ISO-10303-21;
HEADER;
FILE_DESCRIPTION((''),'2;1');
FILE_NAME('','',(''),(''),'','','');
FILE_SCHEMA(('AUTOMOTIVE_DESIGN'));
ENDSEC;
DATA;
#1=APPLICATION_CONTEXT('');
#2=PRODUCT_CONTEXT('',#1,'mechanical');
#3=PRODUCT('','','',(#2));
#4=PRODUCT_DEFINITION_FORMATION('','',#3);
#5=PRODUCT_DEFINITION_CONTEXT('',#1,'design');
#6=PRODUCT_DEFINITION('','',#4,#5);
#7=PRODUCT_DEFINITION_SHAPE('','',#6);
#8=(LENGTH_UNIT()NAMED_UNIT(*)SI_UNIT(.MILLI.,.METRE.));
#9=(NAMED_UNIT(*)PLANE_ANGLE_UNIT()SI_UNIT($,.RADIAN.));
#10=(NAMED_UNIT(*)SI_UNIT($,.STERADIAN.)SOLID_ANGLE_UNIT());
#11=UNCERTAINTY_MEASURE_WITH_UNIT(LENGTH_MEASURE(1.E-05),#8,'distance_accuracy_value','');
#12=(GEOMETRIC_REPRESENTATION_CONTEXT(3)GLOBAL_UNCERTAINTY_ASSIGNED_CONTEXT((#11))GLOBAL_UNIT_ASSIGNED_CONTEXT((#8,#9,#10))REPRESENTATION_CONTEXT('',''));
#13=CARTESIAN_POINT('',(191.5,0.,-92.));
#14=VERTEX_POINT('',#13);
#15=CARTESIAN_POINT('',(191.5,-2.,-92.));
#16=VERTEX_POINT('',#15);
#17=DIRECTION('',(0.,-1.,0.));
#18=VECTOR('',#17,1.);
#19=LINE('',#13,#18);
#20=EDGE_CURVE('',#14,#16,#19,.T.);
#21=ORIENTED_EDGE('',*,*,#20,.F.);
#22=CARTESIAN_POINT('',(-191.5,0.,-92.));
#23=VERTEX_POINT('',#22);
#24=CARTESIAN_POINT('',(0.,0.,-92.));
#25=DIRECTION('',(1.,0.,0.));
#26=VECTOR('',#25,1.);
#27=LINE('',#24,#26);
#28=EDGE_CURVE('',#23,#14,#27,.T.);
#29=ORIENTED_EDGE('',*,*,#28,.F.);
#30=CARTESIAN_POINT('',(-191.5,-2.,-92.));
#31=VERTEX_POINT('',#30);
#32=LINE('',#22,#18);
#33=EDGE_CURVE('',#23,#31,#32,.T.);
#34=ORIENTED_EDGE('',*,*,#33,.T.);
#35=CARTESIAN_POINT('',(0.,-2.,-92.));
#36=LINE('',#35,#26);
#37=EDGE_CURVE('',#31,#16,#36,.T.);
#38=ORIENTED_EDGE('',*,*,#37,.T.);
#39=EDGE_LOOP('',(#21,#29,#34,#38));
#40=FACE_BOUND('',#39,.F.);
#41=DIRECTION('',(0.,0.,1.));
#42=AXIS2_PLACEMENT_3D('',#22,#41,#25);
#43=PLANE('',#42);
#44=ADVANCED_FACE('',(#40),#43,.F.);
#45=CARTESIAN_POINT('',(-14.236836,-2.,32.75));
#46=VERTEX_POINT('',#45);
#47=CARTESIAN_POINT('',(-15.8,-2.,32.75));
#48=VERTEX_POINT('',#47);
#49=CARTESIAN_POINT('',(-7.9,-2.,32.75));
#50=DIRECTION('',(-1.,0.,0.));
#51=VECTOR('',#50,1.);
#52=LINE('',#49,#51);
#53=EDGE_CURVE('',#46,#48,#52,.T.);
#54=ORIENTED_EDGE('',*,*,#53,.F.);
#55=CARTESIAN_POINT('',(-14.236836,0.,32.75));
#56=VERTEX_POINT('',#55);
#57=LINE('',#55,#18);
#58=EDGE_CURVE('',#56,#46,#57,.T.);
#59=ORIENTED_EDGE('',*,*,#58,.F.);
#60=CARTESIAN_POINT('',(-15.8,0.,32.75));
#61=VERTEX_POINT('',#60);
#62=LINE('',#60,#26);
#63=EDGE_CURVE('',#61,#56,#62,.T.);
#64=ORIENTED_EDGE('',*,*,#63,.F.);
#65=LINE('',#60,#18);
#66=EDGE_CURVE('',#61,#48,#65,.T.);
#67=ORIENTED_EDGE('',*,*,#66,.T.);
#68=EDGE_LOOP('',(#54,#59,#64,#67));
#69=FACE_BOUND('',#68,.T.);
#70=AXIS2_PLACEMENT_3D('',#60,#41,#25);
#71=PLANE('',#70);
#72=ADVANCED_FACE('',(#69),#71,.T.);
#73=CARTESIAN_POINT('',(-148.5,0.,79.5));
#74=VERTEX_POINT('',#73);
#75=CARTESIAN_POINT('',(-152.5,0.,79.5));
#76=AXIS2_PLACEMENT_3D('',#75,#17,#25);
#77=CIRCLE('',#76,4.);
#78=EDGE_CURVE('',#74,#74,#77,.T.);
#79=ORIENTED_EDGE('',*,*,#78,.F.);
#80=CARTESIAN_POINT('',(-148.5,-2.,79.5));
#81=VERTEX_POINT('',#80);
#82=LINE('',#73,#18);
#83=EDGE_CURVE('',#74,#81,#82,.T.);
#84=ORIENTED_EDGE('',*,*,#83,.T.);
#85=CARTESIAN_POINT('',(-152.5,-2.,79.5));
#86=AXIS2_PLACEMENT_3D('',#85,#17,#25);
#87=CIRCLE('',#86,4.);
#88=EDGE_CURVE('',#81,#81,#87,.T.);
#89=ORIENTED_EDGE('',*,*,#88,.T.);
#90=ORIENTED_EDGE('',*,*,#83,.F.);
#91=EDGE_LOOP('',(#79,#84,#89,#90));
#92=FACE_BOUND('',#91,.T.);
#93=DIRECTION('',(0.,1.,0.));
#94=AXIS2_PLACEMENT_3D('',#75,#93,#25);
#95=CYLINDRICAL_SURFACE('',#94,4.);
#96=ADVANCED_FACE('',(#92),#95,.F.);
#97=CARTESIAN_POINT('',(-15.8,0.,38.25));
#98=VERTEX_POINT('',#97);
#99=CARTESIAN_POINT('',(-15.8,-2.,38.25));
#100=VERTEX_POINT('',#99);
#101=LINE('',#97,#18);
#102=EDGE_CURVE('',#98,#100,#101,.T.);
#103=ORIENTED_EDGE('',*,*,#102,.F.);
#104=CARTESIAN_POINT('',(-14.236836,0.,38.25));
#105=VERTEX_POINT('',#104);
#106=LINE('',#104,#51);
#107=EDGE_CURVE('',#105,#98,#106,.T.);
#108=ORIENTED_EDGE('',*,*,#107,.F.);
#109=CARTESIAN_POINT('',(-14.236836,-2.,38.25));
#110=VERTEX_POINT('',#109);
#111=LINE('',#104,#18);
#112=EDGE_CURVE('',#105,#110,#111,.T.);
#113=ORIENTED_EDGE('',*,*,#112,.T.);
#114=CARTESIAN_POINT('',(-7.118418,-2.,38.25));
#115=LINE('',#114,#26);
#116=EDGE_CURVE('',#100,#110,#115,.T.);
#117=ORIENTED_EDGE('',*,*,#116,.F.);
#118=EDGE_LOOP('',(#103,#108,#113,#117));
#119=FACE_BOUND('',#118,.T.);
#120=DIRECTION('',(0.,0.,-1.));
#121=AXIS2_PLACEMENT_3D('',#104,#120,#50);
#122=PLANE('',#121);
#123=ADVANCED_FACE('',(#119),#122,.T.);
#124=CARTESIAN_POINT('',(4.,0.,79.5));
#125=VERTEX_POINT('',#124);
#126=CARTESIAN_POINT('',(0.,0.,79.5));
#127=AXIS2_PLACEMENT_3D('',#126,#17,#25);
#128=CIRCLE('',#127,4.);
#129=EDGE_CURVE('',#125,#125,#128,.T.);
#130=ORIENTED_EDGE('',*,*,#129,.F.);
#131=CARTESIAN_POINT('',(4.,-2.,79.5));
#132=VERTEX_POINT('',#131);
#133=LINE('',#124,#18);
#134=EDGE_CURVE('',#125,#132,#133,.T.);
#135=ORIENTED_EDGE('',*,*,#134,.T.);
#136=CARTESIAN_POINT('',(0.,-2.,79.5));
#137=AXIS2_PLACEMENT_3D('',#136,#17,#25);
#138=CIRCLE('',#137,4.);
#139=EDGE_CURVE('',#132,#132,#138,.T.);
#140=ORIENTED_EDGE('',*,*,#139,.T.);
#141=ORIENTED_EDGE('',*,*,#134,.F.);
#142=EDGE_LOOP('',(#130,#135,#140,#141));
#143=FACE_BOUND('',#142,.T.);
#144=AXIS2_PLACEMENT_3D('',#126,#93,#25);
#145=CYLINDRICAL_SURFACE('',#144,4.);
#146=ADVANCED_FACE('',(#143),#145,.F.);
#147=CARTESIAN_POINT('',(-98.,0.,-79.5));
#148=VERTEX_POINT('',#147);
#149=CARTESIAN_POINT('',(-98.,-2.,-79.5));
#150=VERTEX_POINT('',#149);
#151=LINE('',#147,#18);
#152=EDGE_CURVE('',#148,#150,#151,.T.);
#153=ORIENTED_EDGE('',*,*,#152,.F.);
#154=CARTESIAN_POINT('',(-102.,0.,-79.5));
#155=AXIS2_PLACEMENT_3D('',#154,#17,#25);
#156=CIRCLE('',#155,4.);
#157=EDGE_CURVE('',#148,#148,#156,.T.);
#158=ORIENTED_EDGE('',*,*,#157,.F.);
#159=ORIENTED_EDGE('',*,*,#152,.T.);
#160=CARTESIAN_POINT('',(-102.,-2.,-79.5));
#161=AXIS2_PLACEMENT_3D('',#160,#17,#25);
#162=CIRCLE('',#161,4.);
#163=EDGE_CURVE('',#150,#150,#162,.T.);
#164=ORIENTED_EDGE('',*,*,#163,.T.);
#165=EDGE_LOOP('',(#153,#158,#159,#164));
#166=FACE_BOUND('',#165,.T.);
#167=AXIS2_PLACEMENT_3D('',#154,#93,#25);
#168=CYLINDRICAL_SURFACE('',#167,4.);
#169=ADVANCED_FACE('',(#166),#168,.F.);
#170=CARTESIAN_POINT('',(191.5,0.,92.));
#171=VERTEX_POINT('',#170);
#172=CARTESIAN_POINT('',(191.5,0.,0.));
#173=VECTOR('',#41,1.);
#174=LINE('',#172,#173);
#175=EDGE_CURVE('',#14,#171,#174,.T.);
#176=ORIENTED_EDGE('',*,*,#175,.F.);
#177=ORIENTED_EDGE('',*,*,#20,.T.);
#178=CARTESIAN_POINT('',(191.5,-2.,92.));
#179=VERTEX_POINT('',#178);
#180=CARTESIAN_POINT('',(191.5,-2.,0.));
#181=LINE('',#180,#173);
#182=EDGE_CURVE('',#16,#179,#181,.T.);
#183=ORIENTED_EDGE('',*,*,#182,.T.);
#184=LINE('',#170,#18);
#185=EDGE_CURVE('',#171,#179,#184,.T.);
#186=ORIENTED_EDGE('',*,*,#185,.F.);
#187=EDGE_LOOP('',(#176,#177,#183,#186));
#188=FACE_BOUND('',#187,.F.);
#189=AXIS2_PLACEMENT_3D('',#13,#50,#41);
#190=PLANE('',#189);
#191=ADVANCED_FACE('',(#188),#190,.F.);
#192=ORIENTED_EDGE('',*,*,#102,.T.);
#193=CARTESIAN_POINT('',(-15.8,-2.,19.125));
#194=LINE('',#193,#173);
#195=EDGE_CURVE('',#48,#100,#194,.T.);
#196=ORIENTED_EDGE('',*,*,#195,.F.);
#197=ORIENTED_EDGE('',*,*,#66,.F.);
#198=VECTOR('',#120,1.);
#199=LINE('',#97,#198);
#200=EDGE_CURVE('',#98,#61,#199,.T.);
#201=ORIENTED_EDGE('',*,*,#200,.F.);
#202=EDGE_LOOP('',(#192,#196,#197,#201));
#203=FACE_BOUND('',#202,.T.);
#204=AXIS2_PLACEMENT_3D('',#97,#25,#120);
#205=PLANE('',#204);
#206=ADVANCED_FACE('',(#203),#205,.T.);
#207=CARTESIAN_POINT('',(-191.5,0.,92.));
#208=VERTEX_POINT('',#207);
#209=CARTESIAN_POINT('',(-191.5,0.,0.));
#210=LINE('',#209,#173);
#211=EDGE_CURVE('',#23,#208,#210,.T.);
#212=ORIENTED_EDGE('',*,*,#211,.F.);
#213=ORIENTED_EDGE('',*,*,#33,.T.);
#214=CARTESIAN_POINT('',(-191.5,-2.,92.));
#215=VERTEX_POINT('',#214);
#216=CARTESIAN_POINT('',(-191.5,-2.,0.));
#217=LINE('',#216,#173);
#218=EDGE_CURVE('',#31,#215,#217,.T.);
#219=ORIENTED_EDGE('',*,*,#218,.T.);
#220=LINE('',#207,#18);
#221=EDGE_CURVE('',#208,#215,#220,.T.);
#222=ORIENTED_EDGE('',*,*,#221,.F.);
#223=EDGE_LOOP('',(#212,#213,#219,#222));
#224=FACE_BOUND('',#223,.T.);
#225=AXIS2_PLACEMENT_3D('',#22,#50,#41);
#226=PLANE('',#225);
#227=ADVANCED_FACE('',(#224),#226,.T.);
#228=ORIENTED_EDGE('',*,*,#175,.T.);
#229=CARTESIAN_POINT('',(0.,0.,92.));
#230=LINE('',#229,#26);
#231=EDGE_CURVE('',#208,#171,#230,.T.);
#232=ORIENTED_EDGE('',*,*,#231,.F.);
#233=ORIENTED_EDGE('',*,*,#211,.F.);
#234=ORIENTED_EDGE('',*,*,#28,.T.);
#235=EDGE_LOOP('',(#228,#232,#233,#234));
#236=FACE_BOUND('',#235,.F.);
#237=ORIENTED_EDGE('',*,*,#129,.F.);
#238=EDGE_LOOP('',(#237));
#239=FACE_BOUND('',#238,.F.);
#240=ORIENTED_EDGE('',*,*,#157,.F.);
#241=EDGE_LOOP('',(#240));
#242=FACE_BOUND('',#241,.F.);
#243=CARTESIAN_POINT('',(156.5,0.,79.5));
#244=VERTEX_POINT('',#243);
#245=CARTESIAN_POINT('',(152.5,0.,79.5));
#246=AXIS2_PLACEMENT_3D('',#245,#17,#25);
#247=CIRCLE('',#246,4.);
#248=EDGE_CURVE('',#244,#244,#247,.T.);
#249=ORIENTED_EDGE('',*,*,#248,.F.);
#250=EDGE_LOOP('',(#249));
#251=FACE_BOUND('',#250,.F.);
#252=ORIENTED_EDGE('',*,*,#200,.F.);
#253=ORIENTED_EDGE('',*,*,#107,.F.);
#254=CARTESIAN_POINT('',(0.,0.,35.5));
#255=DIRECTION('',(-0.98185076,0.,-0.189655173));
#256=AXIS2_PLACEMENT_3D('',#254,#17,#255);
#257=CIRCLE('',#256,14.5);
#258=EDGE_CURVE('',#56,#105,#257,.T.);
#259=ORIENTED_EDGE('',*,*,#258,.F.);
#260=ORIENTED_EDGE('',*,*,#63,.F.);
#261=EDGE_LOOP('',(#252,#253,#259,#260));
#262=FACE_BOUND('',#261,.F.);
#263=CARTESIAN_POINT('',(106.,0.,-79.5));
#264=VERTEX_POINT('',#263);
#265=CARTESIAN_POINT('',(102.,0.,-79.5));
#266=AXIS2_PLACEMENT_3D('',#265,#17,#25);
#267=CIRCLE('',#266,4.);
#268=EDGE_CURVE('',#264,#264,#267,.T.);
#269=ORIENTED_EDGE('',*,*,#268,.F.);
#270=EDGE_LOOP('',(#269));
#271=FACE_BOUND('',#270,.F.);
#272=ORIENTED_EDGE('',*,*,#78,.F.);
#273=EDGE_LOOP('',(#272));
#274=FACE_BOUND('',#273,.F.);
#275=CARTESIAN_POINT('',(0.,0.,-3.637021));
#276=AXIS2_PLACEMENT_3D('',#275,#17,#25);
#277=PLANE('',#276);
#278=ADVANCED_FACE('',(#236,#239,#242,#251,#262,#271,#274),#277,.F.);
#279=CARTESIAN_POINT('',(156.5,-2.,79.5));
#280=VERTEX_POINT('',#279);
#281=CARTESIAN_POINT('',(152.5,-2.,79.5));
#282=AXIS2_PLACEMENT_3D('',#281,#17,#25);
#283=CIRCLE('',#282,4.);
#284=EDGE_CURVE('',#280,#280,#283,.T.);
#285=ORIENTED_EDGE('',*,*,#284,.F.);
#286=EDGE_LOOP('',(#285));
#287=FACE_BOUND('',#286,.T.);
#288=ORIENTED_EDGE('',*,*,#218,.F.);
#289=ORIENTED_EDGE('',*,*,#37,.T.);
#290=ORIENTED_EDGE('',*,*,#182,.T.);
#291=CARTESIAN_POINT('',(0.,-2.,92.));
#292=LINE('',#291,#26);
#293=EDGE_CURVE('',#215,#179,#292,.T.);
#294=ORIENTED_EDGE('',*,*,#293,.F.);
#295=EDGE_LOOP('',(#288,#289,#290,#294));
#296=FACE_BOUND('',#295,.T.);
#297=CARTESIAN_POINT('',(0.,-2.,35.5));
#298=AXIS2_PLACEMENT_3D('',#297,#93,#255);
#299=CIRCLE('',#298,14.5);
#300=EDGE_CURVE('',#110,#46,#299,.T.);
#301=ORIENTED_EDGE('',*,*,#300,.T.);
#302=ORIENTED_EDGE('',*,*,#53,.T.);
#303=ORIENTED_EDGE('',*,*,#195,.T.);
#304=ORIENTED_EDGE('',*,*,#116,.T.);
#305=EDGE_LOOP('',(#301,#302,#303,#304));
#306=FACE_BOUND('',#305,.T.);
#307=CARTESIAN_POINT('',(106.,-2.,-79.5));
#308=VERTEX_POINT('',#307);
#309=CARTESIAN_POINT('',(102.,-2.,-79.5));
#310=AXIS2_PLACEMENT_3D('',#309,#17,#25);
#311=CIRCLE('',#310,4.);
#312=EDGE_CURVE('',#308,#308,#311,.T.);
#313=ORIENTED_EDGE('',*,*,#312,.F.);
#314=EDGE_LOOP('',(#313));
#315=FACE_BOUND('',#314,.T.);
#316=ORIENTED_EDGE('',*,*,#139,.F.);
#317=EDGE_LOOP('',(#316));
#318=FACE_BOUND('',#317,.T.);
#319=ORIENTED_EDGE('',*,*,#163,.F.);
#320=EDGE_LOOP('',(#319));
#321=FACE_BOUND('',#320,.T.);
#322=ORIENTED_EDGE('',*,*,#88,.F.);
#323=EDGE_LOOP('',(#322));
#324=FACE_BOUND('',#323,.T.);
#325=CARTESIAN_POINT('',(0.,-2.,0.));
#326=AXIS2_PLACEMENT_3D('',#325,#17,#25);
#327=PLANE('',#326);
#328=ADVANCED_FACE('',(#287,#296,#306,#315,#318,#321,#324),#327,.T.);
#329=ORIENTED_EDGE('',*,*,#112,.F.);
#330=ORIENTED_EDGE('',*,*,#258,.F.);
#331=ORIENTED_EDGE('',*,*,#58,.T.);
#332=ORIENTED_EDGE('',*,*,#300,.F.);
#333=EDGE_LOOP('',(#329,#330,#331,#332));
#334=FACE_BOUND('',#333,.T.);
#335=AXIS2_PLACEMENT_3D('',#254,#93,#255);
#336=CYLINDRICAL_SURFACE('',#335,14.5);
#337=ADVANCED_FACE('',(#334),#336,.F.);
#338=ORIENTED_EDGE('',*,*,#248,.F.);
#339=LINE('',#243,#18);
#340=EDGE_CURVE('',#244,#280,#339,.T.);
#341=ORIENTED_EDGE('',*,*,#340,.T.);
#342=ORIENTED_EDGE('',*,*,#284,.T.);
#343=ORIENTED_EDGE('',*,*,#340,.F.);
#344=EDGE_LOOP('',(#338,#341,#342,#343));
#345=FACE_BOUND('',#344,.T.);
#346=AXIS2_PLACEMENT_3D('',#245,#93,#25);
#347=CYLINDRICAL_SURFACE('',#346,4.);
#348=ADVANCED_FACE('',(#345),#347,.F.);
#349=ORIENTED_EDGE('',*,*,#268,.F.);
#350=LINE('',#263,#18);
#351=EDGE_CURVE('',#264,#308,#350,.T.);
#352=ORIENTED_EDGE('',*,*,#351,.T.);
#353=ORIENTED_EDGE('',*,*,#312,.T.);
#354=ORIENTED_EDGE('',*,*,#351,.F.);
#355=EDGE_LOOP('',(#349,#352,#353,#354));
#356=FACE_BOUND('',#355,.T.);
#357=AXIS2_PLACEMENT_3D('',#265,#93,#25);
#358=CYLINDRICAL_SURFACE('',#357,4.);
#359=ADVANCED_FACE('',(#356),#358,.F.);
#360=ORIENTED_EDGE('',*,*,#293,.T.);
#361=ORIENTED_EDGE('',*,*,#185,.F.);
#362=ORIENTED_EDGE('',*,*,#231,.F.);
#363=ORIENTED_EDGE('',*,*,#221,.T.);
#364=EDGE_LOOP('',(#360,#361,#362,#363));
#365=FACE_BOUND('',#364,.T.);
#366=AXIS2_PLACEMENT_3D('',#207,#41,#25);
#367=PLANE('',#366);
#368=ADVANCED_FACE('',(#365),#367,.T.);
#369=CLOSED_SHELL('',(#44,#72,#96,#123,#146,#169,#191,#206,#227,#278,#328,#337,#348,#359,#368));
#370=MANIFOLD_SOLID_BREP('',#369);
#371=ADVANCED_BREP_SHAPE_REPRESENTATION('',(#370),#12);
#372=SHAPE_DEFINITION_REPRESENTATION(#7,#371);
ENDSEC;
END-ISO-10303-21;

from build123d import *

# Parameters (mm, degrees)
F1_W     = 383
F1_H     = 184
F1_R     = 4
F3_DEPTH = 2
F4_DEPTH = 2.001


with BuildPart() as f3:
    # F1 (on face) + F0 (on Front) → F3 (new body)
    with BuildSketch(Plane.XZ):
        Rectangle(F1_W, F1_H)
        with Locations((-102, -79.5)):
            Circle(F1_R, mode=Mode.SUBTRACT)
        with Locations((102, -79.5)):
            Circle(F1_R, mode=Mode.SUBTRACT)
        Polygon((175, -62), (-175, -62), (-162.5, 58), (162.5, 58), align=None, mode=Mode.SUBTRACT)
        with Locations((-152.5, 79.5)):
            Circle(F1_R, mode=Mode.SUBTRACT)
        with Locations((0, 79.5)):
            Circle(F1_R, mode=Mode.SUBTRACT)
        with Locations((152.5, 79.5)):
            Circle(F1_R, mode=Mode.SUBTRACT)
    with BuildSketch(Plane.XZ):
        Polygon((162.5, 58), (-162.5, 58), (-175, -62), (175, -62), align=None)
    extrude(amount=F3_DEPTH)

    # F2 (on Front) → F4 (cut, through all)
    with BuildSketch(Plane.XZ):
        with BuildLine():
            Line((-15.8, 32.75), (-14.236836, 32.75))
            ThreePointArc((-14.236836, 32.75), (14.5, 35.5), (-14.236836, 38.25))
            Line((-14.236836, 38.25), (-15.8, 38.25))
            Line((-15.8, 38.25), (-15.8, 32.75))
        make_face()
    extrude(amount=F4_DEPTH, mode=Mode.SUBTRACT)


solid = f3.part
